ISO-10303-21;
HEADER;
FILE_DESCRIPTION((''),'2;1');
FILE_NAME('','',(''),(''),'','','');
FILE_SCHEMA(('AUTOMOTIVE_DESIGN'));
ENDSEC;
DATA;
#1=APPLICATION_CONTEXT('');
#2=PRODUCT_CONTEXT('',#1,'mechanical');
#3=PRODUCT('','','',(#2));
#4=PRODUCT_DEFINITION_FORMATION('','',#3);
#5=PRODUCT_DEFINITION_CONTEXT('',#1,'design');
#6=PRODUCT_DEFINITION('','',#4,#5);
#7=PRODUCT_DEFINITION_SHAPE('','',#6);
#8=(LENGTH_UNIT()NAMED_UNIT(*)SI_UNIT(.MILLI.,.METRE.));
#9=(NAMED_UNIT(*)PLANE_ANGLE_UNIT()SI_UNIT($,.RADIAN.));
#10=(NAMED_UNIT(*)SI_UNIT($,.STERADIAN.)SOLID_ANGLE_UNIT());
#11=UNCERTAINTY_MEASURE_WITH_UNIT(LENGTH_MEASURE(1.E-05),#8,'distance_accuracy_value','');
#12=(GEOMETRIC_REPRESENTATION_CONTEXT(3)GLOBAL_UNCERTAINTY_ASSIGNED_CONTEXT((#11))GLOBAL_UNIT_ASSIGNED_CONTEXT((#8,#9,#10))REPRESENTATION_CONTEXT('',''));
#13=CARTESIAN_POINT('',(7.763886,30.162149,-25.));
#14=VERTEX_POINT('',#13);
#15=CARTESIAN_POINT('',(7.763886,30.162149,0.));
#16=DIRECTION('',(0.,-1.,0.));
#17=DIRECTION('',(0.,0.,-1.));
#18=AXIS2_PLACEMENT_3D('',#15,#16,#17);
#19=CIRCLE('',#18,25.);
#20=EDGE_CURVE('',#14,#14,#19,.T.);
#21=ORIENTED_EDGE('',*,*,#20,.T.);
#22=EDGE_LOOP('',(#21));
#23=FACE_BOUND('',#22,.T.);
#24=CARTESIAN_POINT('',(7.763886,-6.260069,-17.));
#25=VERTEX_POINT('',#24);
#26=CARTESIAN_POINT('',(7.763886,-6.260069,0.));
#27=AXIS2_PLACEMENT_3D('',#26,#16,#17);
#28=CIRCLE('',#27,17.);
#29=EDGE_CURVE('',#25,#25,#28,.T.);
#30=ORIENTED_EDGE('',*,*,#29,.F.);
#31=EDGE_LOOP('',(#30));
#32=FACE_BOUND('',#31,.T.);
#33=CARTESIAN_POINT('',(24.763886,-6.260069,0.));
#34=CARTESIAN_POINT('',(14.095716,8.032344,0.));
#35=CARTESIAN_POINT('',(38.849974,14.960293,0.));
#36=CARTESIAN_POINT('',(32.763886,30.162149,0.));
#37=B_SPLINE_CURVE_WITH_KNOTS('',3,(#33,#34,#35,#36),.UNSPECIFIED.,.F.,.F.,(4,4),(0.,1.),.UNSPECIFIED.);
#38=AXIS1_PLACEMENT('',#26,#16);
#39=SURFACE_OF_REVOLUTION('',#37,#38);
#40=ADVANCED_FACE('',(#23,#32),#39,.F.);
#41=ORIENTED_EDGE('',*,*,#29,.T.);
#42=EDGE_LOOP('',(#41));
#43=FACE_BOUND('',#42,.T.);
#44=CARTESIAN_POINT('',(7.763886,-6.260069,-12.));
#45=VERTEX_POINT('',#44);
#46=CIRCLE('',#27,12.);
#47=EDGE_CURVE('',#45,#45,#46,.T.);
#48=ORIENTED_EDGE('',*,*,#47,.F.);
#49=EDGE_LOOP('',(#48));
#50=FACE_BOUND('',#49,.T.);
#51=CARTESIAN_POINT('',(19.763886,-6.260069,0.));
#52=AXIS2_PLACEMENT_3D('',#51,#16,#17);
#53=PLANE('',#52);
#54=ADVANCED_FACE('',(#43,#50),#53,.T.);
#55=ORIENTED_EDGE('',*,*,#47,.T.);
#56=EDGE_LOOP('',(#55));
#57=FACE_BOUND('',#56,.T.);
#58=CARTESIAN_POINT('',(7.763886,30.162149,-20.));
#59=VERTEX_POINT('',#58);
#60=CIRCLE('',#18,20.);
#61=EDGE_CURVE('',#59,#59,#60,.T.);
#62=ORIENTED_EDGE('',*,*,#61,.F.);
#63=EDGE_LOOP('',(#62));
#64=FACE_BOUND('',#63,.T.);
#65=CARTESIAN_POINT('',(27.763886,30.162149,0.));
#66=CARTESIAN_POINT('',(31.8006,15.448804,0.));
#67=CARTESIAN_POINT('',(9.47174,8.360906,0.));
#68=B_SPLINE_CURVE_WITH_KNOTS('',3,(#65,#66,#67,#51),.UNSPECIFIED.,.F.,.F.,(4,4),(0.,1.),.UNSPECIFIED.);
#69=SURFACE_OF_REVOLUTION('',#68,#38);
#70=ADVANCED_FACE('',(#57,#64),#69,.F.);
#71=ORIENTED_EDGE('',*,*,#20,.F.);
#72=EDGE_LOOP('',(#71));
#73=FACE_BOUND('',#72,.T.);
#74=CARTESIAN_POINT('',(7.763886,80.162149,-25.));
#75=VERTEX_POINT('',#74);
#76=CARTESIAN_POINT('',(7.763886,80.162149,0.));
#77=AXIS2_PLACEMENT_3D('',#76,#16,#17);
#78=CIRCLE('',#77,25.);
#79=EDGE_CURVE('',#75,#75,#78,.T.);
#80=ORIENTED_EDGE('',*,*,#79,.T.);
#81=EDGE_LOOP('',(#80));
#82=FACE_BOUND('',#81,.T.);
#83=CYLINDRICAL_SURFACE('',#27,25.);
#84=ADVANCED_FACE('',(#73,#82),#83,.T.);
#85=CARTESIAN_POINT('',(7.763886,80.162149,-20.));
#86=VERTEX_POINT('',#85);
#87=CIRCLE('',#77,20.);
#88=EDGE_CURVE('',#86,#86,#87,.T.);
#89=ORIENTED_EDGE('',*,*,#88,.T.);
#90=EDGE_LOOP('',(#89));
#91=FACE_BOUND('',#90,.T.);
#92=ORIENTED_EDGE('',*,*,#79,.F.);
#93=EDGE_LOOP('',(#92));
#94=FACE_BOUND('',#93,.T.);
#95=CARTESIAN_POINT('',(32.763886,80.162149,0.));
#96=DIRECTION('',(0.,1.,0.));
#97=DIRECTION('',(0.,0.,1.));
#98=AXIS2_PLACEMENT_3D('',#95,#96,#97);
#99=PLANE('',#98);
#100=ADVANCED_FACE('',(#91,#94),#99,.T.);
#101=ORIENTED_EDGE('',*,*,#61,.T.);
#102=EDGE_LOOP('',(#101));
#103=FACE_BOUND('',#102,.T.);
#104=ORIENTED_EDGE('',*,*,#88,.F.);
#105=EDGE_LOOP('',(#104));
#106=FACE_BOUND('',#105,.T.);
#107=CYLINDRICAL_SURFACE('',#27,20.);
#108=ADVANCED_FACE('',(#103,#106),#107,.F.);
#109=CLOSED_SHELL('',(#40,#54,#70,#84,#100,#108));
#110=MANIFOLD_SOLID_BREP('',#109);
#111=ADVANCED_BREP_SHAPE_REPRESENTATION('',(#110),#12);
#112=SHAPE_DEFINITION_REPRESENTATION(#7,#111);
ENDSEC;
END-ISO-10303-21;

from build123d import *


with BuildPart() as part:
    # Эскиз9 → Повернуть1 (revolve)
    with BuildSketch(Plane.XY):
        with BuildLine():
            Line((32.763886378, 30.162149488), (32.763886378, 80.162149488))
            Line((32.763886378, 80.162149488), (27.763886378, 80.162149488))
            Line((27.763886378, 80.162149488), (27.763886378, 30.162149488))
            add(Edge.make_bspline(
                [(27.763886378, 30.162149488), (31.800599898, 15.448804189), (9.471740098, 8.360906449), (19.763886378, -6.260068598)],
                knots=[0, 0, 0, 0, 1, 1, 1, 1], degree=3))
            Line((19.763886378, -6.260068598), (24.763886378, -6.260068598))
            add(Edge.make_bspline(
                [(24.763886378, -6.260068598), (14.095716223, 8.032344283), (38.849973736, 14.960293312), (32.763886378, 30.162149488)],
                knots=[0, 0, 0, 0, 1, 1, 1, 1], degree=3))
        make_face()
    revolve(axis=Axis((7.763886378, -6.260068598, 0), (0, 1, 0)))


solid = part.part
